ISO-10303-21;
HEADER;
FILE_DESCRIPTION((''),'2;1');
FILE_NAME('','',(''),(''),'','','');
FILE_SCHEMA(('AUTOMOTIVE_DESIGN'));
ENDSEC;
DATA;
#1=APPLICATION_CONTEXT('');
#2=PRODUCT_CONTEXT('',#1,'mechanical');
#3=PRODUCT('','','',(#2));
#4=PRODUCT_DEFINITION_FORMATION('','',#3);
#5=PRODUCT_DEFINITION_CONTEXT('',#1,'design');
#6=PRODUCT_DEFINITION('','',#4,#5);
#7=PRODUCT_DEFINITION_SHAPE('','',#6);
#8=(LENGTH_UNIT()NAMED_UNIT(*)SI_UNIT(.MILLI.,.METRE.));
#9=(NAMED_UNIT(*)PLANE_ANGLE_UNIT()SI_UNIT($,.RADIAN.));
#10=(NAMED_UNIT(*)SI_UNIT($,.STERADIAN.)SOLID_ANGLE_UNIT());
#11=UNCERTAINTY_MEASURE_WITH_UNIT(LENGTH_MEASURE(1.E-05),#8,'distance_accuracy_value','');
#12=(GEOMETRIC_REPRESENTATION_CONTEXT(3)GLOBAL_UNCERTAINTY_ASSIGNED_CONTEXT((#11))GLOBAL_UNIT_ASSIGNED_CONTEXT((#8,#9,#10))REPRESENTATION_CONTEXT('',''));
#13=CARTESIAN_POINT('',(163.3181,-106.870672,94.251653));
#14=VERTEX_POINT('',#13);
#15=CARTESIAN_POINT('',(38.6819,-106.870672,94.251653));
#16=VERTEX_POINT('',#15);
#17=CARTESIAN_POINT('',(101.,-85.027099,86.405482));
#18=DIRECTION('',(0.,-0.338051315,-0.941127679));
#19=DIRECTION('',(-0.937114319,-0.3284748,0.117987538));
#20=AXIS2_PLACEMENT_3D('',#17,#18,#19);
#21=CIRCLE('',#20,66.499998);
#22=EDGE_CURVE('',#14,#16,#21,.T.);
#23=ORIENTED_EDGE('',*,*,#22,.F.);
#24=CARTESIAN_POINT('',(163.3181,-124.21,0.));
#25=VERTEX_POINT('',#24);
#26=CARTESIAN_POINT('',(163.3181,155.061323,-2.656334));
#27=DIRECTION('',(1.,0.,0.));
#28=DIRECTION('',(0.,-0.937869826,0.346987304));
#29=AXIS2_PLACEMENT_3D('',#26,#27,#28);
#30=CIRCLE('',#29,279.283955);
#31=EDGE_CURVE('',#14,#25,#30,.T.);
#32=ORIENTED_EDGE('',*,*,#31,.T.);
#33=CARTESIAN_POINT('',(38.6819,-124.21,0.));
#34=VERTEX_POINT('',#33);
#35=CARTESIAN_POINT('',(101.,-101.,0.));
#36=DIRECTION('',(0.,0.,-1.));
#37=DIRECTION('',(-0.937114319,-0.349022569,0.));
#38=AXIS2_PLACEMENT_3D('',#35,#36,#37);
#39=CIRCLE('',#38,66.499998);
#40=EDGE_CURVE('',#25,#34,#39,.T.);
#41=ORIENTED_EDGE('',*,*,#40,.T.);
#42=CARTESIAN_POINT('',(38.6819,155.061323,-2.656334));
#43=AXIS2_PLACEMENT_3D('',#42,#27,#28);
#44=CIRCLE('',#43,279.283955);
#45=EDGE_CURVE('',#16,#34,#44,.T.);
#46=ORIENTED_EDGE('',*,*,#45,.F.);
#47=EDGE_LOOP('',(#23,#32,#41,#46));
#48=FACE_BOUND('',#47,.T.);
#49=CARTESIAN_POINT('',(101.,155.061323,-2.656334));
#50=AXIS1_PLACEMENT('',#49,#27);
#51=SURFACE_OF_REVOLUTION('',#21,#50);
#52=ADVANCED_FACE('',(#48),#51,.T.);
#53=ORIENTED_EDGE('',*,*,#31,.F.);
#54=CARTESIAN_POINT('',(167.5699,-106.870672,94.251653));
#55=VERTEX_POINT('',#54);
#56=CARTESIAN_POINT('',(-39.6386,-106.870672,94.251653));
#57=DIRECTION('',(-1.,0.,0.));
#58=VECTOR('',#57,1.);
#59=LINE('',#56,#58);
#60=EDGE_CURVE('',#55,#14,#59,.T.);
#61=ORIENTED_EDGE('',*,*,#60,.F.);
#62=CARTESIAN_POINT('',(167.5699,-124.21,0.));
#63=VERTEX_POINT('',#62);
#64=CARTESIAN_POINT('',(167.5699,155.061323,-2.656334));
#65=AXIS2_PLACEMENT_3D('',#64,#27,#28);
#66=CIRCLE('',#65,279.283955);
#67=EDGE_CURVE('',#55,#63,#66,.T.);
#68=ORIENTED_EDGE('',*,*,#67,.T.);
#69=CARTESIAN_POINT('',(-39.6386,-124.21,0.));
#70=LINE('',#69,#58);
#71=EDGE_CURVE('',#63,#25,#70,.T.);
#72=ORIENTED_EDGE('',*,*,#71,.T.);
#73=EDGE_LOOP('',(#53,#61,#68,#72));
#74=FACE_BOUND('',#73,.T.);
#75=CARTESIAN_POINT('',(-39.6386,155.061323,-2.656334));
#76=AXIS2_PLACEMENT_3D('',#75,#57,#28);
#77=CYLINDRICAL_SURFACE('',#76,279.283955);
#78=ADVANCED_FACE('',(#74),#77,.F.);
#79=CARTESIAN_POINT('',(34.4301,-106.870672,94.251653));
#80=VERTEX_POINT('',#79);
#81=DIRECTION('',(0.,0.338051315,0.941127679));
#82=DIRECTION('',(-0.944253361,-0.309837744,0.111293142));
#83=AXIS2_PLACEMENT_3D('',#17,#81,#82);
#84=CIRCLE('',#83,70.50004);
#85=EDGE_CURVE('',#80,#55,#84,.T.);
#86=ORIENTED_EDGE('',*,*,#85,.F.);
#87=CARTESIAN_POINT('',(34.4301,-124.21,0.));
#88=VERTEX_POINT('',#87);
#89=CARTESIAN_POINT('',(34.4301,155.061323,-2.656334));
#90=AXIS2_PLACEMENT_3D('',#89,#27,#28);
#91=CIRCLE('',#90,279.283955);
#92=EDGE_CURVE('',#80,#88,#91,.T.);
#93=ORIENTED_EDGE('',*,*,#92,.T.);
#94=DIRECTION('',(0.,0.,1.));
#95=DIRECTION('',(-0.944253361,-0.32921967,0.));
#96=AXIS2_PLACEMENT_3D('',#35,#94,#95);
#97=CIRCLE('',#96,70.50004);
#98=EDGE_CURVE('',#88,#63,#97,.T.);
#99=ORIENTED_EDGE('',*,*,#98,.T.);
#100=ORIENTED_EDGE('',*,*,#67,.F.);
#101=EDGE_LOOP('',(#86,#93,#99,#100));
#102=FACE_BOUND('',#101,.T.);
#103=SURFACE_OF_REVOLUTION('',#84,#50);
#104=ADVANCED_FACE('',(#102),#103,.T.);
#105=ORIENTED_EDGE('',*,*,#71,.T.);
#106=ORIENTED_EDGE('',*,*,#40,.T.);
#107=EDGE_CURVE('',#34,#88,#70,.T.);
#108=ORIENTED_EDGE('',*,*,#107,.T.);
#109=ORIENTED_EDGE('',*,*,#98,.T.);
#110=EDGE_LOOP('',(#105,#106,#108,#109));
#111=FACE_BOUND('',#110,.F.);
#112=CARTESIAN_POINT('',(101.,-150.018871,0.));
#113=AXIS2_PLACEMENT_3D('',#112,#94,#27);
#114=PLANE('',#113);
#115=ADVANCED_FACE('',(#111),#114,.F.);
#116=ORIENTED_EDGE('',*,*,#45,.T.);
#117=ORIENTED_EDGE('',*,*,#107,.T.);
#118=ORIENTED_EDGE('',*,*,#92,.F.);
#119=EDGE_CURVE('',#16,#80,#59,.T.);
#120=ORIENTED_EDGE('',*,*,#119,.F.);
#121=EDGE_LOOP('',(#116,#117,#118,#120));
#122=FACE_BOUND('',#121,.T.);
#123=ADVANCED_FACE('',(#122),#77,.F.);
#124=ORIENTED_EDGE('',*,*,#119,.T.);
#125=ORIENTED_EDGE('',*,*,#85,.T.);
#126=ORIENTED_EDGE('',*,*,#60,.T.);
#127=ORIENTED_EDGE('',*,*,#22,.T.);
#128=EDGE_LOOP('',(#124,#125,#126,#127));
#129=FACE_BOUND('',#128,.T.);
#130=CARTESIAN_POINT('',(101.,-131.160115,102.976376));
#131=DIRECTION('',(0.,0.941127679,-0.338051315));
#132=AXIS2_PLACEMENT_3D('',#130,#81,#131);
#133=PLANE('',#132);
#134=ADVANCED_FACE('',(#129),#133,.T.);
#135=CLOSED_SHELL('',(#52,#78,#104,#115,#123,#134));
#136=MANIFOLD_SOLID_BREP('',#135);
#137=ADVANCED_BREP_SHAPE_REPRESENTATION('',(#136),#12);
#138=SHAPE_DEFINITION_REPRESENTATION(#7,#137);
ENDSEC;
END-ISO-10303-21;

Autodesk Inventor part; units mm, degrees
ref_plane "XZ Plane" through (0, 0, 0) normal (0, 1, 0) x (-1, 0, 0)
sketch "Эскиз1" plane through (0, 0, 0) normal (0, 0, 1) x (1, 0, 0)
  arc A0 (38.6819, -124.21) -> (163.3181, -124.21) centre (101, -101) ccw
  arc A1 (34.4301, -124.21) -> (167.5699, -124.21) centre (101, -101) ccw
  line L0 (-97.5257, 0) -> (307.6841, 0) projected
  line L1 (-39.6386, -124.21) -> (244.9538, -124.21)
  point P0 (0, 0)
  point P1 (167.5699, -124.21)
  point P2 (38.6819, -124.21)
  point P3 (34.4301, -124.21)
  dimension "d0" = 133
  dimension "d1" = 141
  dimension "d3" = -101
  dimension "d4" = 23.21
ref_plane "РабПлоскость1" through (0, 0, 60) normal (0, 0, 1) x (1, 0, 0)
sketch "Эскиз2" plane through (0, 0, 60) normal (0, 0, 1) x (1, 0, 0)
  circle A0 centre (101, -101) radius 70.5
  line L0 (-96.1046, 0) -> (307.4472, 0) projected
  arc A1 (34.4301, -164.21) -> (167.5699, -164.21) centre (101, -141) ccw
  arc A2 (38.6819, -164.21) -> (163.3181, -164.21) centre (101, -141) ccw
  line L1 (-38.4543, -164.21) -> (249.797, -164.21)
  point P0 (0, 0)
  dimension "d9" = 141
  dimension "d10" = 141
  dimension "d11" = 133
  dimension "d12" = 23.21
sketch "Эскиз3" plane through (0, 0, 0) normal (1, 0, 0) x (0, 1, 0)
  arc A0 (-211.5, 60) -> (-171.5, 0) centre (-52.4181, 122.7213) ccw
  point P0 (0, 0)
  point P1 (-164.21, 60)
  point P2 (-124.21, 0)
  dimension "d13" = 171
sketch "Эскиз4" plane through (0, 0, 0) normal (1, 0, 0) x (0, 1, 0)
  line L0 (0, -156.8299) -> (0, 169.3131) projected
  arc A0 (-151.3766, 110.2381) -> (-171.5, 0) centre (155.0612, -2.6563) ccw
  arc A1 (-171.3994, 5.874) -> (-171.5, 0) centre (0, 0) ccw
  point P0 (-131.3766, -110.2381)
  dimension "d25" = 326.572
sweep "Сдвиг2" add profiles "Эскиз1" path "Эскиз4" path curves A0 contours A0 L1 A1
ref_plane "РабПлоскость2" through (101, 0, 0) normal (1, 0, 0) x (0, 1, 0)
sketch "Эскиз5" plane through (101, 0, 0) normal (1, 0, 0) x (0, 1, 0)
  line L0 (-106.8707, 94.2516) -> (-106.8707, 94.2516) projected
  arc A0 (-106.8707, 94.2516) -> (-124.21, 0) centre (155.0612, -2.6563) ccw projected
  line L1 (-124.21, 0) -> (-124.21, 0) projected
  arc A1 (-106.8707, 94.2516) -> (-124.21, 0) centre (155.0612, -2.6563) ccw projected
  line L2 (-106.8707, 94.2516) -> (-106.8707, 94.2516) projected
  arc A2 (-106.8707, 94.2516) -> (-124.21, 0) centre (155.0612, -2.6563) ccw projected
  line L3 (-124.21, 0) -> (-124.21, 0) projected
  arc A3 (-106.8707, 94.2516) -> (-124.21, 0) centre (155.0612, -2.6563) ccw projected
  arc A4 (-106.8707, 94.2516) -> (-124.21, 0) centre (155.0612, -2.6563) ccw projected
  line L4 (-106.8707, 94.2516) -> (-151.3766, 110.2381) projected
  circle A5 centre (155.0612, -2.6563) radius 326.572
  point P0 (0, 0)
  dimension "d28" = 653.144
properties part number "конпл направления"
